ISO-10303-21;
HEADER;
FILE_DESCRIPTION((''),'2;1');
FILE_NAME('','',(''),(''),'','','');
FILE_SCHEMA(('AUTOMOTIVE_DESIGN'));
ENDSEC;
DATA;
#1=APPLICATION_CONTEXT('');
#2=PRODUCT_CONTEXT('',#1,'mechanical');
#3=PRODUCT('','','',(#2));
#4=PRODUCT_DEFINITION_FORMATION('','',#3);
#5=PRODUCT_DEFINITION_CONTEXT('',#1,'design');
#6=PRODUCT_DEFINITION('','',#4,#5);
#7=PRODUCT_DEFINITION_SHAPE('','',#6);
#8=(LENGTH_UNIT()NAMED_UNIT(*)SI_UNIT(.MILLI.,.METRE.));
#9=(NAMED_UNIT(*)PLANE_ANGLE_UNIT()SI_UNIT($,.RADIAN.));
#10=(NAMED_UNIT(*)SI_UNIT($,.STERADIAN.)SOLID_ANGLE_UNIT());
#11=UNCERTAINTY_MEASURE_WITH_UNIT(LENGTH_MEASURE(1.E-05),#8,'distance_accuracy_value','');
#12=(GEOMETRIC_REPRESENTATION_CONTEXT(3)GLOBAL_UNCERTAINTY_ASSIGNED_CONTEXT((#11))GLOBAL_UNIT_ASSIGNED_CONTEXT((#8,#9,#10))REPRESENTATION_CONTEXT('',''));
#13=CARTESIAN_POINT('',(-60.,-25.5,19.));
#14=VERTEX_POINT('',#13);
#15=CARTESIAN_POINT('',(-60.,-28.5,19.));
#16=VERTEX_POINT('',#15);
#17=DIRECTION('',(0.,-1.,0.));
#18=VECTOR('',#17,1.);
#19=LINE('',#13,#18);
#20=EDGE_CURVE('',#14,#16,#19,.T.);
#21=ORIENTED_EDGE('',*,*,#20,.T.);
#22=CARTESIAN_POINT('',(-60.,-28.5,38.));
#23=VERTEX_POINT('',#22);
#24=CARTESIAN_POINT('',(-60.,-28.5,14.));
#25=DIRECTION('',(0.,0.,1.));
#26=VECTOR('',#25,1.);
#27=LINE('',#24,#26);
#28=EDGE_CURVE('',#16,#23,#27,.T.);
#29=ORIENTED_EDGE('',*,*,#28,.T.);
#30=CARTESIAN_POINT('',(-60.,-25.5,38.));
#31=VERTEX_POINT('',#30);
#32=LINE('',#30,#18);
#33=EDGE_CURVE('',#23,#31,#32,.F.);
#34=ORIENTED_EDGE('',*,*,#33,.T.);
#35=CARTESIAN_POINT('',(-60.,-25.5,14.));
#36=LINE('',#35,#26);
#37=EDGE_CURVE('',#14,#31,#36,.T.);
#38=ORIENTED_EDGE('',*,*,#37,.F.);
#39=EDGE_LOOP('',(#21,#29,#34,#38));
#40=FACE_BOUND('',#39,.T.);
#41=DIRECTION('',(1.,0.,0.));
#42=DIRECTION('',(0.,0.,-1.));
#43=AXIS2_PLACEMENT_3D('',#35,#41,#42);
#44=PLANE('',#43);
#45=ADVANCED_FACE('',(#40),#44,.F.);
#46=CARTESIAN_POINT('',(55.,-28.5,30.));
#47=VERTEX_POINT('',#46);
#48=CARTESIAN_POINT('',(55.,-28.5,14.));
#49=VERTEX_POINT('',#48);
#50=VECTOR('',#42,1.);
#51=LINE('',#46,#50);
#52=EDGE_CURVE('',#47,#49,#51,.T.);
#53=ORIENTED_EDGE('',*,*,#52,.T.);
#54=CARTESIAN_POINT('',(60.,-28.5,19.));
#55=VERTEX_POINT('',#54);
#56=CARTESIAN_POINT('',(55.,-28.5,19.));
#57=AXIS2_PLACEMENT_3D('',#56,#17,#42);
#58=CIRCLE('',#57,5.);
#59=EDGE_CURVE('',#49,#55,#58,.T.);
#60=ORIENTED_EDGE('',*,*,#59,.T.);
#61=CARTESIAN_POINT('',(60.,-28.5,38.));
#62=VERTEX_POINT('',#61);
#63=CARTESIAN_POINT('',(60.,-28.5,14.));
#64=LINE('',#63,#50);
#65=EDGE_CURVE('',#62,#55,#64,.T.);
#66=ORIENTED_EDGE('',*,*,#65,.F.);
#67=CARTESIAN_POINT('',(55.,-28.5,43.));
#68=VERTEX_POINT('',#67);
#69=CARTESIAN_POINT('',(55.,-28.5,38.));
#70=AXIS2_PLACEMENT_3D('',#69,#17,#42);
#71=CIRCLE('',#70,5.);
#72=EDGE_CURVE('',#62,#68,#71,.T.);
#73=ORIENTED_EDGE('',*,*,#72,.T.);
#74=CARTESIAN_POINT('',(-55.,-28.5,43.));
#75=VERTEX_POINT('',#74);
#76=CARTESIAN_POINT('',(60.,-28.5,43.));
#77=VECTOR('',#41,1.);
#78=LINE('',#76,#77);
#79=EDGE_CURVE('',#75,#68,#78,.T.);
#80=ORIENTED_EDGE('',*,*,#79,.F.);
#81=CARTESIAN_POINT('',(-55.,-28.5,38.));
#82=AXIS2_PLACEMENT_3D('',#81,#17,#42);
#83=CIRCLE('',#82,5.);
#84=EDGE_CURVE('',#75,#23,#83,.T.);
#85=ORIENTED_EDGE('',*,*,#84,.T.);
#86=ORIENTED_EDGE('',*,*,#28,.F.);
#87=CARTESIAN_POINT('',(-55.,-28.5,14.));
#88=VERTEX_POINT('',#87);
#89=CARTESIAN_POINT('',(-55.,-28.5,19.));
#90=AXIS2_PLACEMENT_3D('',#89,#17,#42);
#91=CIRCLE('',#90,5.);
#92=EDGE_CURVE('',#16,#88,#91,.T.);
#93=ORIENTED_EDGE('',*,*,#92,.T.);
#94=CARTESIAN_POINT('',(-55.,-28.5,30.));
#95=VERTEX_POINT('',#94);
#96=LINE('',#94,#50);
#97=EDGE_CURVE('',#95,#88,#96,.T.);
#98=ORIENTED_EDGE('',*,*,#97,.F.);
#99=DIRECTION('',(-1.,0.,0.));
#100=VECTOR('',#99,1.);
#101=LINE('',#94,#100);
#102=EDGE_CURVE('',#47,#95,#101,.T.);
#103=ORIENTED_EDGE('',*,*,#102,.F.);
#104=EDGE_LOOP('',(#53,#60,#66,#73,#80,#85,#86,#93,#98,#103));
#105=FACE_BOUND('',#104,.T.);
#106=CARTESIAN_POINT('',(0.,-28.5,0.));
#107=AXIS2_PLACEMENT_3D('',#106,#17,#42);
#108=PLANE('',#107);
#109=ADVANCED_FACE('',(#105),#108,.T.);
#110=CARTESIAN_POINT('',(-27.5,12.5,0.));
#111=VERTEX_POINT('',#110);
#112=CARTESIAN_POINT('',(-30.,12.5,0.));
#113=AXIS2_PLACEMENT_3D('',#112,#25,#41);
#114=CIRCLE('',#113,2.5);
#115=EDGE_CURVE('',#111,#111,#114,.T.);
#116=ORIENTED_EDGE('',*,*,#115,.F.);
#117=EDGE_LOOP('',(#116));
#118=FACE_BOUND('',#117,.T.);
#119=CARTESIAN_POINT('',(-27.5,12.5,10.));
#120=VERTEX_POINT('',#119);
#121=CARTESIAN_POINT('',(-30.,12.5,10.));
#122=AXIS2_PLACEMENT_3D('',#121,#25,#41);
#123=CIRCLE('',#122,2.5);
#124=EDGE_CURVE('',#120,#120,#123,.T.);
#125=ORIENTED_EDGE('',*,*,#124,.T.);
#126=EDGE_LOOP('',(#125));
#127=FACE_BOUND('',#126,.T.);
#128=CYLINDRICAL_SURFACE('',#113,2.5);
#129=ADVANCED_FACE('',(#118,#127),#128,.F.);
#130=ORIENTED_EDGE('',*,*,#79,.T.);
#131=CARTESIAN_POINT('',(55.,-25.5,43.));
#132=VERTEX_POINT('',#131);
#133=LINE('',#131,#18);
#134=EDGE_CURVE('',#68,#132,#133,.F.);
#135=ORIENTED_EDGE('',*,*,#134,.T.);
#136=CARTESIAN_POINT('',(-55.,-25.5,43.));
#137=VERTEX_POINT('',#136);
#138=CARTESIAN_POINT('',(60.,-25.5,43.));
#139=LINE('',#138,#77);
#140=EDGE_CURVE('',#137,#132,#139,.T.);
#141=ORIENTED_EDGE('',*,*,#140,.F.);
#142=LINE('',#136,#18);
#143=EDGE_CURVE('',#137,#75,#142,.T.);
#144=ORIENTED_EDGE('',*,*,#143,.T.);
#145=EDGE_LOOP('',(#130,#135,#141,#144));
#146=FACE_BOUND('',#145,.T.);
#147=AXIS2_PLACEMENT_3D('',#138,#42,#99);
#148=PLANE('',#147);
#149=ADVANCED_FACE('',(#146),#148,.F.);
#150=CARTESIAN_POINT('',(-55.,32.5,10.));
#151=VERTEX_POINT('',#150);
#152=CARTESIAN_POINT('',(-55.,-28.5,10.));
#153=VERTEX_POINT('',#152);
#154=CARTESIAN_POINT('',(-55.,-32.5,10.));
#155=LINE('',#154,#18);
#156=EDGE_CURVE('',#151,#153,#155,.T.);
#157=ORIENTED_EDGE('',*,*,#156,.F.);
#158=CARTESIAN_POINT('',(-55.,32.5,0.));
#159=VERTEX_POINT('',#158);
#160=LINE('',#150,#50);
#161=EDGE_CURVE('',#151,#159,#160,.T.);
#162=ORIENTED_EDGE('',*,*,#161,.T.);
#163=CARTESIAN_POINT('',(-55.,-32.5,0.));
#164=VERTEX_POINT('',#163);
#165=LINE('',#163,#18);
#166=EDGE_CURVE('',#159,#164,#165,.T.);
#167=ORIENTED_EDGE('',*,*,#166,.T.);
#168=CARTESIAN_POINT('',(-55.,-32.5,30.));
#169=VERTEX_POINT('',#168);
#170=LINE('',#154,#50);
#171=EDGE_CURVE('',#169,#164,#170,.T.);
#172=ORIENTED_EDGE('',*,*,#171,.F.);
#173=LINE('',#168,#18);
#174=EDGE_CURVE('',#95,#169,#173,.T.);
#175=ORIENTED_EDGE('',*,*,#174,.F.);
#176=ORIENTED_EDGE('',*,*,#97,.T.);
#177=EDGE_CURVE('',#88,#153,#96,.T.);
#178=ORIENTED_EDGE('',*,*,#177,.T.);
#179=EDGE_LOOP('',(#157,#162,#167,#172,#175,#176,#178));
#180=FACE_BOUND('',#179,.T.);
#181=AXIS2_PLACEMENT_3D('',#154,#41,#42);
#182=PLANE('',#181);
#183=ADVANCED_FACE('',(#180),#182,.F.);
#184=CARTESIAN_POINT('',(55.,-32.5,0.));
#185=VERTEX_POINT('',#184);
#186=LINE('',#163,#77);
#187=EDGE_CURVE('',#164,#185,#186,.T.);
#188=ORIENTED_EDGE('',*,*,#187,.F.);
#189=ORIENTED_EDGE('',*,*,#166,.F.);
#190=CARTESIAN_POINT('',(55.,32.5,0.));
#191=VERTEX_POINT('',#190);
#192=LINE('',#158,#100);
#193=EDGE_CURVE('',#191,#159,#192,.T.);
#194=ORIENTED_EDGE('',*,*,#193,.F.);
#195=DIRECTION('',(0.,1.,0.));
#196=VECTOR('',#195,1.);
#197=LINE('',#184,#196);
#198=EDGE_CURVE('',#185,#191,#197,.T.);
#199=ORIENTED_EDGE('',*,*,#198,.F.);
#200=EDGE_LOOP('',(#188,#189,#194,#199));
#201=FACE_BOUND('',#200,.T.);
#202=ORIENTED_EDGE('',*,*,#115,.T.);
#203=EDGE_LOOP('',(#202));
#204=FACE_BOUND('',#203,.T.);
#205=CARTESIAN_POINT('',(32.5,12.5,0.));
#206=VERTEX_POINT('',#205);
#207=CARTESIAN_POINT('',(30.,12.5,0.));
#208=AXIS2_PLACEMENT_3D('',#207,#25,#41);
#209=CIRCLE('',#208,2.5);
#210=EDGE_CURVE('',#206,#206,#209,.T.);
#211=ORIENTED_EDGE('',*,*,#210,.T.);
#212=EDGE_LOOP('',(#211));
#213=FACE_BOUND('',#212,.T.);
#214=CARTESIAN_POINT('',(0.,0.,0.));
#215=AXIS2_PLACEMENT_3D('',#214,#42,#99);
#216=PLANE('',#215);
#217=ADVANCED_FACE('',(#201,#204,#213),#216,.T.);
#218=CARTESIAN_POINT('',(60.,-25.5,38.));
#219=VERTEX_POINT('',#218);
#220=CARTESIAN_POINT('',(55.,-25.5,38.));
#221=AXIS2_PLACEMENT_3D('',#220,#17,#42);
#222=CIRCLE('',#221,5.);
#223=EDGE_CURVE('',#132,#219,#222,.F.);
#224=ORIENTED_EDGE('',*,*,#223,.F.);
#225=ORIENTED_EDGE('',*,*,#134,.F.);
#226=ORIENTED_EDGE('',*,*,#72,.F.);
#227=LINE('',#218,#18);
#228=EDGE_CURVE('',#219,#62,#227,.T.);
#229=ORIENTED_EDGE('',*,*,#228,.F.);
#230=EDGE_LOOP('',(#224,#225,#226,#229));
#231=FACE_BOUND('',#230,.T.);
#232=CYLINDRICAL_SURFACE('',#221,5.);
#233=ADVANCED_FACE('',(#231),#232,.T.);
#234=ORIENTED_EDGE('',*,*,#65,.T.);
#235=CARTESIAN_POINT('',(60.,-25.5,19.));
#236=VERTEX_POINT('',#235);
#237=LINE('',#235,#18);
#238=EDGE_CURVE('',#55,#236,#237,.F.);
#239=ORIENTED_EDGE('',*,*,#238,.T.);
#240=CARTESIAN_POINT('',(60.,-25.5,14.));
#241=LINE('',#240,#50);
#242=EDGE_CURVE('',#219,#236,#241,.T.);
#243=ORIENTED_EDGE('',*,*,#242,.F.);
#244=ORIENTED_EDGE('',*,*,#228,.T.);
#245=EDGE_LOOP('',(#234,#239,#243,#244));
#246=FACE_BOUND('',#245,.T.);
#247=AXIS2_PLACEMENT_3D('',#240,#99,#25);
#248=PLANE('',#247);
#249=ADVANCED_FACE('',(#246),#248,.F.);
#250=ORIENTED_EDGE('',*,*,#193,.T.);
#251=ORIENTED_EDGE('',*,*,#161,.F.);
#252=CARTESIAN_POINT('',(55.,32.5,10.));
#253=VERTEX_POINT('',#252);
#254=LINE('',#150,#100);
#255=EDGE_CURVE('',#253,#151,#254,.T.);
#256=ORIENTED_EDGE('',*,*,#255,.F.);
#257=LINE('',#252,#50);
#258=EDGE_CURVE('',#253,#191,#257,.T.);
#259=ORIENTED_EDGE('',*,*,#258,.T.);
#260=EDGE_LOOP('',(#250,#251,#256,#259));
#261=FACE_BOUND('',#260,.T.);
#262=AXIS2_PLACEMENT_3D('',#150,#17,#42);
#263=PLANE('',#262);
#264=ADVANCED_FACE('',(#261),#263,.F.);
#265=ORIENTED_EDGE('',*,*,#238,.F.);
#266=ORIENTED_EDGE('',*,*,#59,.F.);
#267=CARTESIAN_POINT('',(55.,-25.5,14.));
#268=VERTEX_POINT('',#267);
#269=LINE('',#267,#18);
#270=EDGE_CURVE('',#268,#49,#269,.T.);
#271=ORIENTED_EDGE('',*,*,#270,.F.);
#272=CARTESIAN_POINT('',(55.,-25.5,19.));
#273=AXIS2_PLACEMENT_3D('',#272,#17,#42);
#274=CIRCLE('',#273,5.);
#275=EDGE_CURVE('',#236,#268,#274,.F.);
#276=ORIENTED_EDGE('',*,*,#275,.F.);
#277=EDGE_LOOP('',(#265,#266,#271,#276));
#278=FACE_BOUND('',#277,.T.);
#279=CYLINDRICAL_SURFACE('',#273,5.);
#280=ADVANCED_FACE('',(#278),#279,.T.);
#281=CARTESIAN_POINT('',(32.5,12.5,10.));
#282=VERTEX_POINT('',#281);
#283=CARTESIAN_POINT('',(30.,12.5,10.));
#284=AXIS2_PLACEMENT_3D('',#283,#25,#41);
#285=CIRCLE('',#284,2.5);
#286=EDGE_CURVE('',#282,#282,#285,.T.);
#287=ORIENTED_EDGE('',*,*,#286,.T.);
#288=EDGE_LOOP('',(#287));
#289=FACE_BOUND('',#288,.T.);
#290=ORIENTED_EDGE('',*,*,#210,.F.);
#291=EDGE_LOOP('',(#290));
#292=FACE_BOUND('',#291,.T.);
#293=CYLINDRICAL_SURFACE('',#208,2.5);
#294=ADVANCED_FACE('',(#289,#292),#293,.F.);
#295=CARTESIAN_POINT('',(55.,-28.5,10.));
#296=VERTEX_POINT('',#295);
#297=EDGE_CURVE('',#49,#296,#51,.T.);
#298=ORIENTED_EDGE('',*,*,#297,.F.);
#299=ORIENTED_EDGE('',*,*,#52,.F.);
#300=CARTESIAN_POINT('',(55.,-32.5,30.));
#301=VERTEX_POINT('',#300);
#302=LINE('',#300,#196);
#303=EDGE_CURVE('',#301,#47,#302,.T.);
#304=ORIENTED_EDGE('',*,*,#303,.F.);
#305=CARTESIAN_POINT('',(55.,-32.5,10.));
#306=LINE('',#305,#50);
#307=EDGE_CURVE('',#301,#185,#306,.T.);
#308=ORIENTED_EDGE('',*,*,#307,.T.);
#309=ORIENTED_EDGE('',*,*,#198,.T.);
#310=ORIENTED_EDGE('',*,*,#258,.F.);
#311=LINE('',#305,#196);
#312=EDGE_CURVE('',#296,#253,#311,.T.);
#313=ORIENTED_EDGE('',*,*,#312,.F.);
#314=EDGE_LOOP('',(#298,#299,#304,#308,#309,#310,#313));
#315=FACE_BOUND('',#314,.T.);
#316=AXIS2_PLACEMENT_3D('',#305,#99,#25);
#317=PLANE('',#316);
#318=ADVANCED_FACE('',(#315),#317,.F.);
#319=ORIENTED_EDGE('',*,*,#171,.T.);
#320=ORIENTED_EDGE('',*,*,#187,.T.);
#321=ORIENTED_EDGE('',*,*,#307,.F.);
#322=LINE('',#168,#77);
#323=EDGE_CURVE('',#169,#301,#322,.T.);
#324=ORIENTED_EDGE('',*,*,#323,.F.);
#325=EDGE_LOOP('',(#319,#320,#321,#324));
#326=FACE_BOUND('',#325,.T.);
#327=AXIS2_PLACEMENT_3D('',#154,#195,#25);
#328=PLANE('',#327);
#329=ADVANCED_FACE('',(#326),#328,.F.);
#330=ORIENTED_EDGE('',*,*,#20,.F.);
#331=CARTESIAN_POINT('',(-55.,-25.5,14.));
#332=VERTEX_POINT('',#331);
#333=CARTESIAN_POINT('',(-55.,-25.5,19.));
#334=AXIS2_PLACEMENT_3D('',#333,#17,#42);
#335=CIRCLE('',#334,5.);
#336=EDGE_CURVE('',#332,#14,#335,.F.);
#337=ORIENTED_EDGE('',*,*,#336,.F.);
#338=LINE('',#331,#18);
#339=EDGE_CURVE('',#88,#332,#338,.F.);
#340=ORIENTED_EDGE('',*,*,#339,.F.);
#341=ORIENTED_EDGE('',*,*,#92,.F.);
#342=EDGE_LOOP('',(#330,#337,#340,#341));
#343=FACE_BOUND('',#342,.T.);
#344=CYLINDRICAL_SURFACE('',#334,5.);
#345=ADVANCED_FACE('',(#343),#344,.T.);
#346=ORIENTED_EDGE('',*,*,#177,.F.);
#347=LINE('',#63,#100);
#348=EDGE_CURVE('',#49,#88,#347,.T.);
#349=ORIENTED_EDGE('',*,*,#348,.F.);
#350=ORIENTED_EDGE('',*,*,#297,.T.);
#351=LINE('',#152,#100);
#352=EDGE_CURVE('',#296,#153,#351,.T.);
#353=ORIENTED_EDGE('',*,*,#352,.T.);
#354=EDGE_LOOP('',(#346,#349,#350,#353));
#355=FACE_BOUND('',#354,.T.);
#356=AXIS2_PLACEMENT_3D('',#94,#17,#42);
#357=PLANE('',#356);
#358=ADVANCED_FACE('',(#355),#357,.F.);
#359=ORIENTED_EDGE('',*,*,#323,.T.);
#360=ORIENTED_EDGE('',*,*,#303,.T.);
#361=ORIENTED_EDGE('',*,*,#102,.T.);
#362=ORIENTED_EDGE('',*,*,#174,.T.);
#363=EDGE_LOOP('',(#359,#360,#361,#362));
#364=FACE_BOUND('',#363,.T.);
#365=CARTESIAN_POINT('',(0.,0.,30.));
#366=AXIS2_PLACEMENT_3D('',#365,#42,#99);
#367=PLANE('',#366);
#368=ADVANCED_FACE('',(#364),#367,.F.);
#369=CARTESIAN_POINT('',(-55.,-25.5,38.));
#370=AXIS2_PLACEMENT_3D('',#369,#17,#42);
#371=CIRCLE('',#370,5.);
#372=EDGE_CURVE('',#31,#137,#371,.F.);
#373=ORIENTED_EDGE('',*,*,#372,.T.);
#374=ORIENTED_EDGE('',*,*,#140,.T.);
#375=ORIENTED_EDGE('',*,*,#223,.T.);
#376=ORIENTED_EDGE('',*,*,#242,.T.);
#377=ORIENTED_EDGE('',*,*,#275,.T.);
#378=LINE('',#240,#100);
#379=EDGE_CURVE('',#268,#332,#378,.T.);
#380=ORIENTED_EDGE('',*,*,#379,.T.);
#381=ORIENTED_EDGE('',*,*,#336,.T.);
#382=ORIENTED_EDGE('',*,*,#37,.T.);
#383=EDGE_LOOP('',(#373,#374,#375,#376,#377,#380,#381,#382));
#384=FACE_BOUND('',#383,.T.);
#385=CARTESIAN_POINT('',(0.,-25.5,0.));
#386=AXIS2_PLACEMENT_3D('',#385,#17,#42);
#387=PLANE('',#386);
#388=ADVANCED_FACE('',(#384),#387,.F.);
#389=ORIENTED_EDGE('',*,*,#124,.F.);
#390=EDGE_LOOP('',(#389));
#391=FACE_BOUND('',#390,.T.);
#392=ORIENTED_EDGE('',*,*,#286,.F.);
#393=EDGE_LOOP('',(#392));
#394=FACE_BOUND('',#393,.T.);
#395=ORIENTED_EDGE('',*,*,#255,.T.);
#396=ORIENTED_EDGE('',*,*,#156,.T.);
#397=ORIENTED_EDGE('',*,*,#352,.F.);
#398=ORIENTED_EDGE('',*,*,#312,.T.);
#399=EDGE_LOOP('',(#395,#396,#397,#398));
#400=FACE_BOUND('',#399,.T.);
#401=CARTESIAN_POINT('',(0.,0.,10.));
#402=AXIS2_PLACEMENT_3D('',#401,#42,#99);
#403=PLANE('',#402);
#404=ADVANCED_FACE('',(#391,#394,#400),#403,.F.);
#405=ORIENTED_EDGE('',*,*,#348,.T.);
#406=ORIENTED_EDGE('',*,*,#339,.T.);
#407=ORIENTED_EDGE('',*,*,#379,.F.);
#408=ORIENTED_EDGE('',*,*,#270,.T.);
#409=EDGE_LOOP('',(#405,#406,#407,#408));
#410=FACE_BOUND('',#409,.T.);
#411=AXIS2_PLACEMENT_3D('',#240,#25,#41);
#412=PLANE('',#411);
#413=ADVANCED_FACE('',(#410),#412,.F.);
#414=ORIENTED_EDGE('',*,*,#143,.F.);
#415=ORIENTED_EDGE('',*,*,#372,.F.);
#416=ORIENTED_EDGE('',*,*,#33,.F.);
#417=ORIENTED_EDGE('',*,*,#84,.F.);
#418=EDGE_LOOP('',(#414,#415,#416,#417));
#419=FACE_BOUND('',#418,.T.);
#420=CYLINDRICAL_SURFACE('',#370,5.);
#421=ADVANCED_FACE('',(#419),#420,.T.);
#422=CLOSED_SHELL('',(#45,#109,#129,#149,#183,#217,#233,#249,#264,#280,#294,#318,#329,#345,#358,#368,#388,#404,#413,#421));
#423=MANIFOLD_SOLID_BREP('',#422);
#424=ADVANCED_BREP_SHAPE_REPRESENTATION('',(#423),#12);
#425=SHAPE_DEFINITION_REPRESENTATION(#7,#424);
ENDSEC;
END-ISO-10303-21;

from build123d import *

# Parameters (mm, degrees)
ESQUISSE1_W             = 110
ESQUISSE1_H             = 65
BOSS_EXTRU_1_DEPTH      = 10
ESQUISSE2_W             = 110
ESQUISSE2_H             = 4
BOSS_EXTRU_2_DEPTH      = 20
ESQUISSE3_W             = 120
ESQUISSE3_H             = 29
BOSS_EXTRU_3_DEPTH      = 3
CONG_1_R                = 5
ESQUISSE4_R             = 2.5
ENL_V_MAT_EXTRU_1_DEPTH = 76.797427397


with BuildPart() as part:
    # Esquisse1 → Boss.-Extru.1 (new body)
    with BuildSketch(Plane.XY):
        Rectangle(ESQUISSE1_W, ESQUISSE1_H)
    extrude(amount=BOSS_EXTRU_1_DEPTH)

    # Esquisse2 → Boss.-Extru.2 (add)
    with BuildSketch(Plane.XY.offset(10)):
        with Locations((0, -30.5)):
            Rectangle(ESQUISSE2_W, ESQUISSE2_H)
    extrude(amount=BOSS_EXTRU_2_DEPTH)

    # Esquisse3 → Boss.-Extru.3 (add)
    with BuildSketch(Plane(origin=(0, -28.5, 0), x_dir=(1, 0, 0), z_dir=(0, 1, 0))):
        with Locations((0, -28.5)):
            Rectangle(ESQUISSE3_W, ESQUISSE3_H)
    extrude(amount=BOSS_EXTRU_3_DEPTH)

    # Congé1
    cong_1_edges = [part.edges().sort_by_distance(p)[0] for p in [
        (60, -27, 14),
        (60, -27, 43),
        (-60, -27, 43),
        (-60, -27, 14),
    ]]
    fillet(cong_1_edges, radius=CONG_1_R)

    # Esquisse4 → Enlèv. mat.-Extru.1 (cut, through all)
    with BuildSketch(Plane.XY.offset(10)):
        with Locations((-30, 12.5)):
            Circle(ESQUISSE4_R)
        with Locations((30, 12.5)):
            Circle(ESQUISSE4_R)
    extrude(amount=-ENL_V_MAT_EXTRU_1_DEPTH, mode=Mode.SUBTRACT)


solid = part.part
